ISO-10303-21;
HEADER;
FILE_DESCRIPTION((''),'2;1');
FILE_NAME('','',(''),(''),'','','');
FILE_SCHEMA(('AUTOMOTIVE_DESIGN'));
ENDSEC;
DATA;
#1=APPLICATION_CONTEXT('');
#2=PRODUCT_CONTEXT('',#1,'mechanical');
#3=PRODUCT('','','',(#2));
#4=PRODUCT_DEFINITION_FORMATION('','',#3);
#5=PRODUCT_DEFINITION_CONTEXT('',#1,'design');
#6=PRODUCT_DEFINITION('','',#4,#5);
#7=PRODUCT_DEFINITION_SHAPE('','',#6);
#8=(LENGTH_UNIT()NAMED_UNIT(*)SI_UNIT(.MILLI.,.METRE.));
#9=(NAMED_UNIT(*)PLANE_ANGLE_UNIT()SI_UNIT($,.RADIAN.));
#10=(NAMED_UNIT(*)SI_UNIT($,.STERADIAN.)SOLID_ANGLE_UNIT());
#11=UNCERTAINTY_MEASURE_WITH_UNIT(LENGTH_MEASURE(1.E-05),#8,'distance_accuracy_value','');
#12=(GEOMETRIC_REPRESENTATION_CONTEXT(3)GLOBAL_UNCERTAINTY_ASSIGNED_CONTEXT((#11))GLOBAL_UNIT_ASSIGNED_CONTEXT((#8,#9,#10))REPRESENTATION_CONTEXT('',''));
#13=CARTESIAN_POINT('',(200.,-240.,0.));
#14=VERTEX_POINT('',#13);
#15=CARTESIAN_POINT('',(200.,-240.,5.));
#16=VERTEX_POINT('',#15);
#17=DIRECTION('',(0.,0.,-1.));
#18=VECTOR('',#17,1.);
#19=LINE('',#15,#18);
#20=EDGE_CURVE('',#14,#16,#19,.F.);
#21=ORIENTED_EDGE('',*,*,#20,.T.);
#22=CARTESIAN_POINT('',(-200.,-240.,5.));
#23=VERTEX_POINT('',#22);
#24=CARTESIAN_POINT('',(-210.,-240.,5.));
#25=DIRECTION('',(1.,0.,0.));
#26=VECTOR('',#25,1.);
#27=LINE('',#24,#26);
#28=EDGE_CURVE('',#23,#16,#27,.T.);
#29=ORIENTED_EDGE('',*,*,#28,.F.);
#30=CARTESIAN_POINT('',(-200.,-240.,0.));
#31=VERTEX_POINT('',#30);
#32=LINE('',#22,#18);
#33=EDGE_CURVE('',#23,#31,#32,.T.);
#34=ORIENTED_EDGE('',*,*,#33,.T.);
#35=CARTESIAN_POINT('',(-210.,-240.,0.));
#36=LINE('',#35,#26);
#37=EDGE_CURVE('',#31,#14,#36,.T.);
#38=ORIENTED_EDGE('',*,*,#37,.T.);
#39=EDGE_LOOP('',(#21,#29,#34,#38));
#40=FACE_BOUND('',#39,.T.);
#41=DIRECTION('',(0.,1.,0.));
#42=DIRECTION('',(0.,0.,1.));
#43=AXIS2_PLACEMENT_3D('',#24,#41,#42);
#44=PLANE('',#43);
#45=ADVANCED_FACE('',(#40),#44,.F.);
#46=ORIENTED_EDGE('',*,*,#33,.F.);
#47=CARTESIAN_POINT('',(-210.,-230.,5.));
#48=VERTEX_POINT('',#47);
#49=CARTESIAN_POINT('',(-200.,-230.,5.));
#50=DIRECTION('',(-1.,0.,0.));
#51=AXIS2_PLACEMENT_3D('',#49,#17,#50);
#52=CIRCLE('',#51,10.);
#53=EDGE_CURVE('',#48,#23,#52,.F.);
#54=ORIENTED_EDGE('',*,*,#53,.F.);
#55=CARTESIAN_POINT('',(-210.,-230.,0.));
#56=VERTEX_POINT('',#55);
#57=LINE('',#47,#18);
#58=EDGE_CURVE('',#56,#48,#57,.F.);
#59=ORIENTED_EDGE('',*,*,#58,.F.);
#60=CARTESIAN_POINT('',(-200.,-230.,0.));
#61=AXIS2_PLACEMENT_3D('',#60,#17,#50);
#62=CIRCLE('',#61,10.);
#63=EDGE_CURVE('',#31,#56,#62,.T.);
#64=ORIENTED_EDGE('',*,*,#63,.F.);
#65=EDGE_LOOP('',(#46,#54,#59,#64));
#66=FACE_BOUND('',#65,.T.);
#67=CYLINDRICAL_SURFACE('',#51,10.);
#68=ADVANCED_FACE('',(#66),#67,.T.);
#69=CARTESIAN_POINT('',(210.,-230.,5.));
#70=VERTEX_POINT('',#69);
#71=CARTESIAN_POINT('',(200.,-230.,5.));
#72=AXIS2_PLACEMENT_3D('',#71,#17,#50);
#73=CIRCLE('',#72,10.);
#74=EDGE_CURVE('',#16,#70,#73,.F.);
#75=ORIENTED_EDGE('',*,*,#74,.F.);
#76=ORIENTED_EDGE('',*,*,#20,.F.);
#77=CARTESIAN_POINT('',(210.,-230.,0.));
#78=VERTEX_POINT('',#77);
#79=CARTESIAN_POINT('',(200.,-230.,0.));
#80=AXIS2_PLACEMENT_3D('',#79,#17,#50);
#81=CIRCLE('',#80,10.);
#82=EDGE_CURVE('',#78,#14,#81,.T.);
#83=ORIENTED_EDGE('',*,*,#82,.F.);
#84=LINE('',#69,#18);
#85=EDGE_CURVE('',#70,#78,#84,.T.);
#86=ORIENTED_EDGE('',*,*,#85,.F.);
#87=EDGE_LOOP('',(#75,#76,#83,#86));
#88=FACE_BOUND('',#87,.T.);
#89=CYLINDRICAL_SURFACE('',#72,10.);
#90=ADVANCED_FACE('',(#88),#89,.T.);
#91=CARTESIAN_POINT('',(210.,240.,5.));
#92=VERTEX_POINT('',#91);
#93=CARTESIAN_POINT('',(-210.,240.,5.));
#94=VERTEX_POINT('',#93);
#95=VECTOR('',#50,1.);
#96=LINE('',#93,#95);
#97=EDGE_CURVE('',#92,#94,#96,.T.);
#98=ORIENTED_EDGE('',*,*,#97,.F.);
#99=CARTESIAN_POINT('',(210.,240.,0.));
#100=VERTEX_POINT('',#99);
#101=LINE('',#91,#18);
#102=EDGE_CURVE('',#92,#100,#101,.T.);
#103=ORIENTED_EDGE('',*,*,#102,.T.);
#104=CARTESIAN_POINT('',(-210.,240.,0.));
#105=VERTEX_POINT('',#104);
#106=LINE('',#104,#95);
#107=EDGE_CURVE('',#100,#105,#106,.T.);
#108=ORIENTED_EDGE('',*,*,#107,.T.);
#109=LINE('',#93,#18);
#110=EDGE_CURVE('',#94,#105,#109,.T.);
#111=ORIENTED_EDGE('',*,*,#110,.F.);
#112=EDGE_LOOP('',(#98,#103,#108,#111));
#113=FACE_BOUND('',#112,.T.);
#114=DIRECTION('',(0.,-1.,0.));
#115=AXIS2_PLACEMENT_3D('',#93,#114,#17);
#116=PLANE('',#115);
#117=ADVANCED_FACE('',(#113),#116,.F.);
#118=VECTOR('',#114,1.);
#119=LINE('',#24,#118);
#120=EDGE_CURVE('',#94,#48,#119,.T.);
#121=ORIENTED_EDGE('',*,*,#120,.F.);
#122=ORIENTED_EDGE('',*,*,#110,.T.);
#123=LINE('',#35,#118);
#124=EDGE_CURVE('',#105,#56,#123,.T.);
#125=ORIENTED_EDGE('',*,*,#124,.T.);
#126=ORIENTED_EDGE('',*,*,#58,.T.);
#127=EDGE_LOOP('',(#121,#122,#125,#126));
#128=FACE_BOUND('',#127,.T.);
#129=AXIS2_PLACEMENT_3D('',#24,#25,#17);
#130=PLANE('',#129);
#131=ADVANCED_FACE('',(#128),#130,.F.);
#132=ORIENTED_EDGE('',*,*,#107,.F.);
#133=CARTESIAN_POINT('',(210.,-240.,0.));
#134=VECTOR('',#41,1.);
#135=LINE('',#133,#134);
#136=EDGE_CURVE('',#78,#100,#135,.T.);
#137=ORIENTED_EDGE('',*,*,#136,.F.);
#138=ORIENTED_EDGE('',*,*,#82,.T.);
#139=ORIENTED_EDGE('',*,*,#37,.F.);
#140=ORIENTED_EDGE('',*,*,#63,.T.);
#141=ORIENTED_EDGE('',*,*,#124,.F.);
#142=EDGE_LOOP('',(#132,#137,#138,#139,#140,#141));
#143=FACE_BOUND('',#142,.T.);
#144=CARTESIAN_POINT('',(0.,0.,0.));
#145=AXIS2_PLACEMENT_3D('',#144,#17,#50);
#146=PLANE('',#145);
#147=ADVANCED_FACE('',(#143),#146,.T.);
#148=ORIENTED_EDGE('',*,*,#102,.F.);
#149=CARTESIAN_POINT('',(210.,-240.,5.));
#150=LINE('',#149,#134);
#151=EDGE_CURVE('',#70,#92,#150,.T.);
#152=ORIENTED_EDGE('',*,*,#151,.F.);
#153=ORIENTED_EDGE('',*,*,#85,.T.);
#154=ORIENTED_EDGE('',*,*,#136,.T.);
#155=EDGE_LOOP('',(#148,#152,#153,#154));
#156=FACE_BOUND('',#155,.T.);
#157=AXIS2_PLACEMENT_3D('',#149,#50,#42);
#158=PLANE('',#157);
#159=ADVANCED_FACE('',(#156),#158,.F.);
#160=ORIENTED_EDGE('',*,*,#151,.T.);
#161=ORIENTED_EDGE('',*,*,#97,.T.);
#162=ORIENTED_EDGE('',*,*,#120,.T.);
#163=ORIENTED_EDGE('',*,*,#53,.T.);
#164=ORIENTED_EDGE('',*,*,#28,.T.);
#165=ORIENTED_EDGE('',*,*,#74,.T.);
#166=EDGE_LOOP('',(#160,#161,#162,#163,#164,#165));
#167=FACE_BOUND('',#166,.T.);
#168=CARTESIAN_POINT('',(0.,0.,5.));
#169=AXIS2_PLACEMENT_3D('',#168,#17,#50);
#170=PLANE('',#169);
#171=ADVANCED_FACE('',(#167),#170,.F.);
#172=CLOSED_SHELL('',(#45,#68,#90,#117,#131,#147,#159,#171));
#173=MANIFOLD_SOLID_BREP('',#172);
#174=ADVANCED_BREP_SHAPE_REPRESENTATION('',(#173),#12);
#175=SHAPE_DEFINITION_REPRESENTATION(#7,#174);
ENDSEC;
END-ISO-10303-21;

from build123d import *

# Parameters (mm, degrees)
SKETCH_1_W      = 420
SKETCH_1_H      = 480
EXTRUDE_1_DEPTH = 5
FILLET_1_R      = 10


with BuildPart() as part:
    # 草图1 → 凸台-拉伸1 (new body)
    with BuildSketch(Plane.XY):
        Rectangle(SKETCH_1_W, SKETCH_1_H)
    extrude(amount=EXTRUDE_1_DEPTH)

    # 圆角1
    fillet_1_edges = [part.edges().sort_by_distance(p)[0] for p in [
        (210, -240, 2.5),
        (-210, -240, 2.5),
    ]]
    fillet(fillet_1_edges, radius=FILLET_1_R)


solid = part.part
